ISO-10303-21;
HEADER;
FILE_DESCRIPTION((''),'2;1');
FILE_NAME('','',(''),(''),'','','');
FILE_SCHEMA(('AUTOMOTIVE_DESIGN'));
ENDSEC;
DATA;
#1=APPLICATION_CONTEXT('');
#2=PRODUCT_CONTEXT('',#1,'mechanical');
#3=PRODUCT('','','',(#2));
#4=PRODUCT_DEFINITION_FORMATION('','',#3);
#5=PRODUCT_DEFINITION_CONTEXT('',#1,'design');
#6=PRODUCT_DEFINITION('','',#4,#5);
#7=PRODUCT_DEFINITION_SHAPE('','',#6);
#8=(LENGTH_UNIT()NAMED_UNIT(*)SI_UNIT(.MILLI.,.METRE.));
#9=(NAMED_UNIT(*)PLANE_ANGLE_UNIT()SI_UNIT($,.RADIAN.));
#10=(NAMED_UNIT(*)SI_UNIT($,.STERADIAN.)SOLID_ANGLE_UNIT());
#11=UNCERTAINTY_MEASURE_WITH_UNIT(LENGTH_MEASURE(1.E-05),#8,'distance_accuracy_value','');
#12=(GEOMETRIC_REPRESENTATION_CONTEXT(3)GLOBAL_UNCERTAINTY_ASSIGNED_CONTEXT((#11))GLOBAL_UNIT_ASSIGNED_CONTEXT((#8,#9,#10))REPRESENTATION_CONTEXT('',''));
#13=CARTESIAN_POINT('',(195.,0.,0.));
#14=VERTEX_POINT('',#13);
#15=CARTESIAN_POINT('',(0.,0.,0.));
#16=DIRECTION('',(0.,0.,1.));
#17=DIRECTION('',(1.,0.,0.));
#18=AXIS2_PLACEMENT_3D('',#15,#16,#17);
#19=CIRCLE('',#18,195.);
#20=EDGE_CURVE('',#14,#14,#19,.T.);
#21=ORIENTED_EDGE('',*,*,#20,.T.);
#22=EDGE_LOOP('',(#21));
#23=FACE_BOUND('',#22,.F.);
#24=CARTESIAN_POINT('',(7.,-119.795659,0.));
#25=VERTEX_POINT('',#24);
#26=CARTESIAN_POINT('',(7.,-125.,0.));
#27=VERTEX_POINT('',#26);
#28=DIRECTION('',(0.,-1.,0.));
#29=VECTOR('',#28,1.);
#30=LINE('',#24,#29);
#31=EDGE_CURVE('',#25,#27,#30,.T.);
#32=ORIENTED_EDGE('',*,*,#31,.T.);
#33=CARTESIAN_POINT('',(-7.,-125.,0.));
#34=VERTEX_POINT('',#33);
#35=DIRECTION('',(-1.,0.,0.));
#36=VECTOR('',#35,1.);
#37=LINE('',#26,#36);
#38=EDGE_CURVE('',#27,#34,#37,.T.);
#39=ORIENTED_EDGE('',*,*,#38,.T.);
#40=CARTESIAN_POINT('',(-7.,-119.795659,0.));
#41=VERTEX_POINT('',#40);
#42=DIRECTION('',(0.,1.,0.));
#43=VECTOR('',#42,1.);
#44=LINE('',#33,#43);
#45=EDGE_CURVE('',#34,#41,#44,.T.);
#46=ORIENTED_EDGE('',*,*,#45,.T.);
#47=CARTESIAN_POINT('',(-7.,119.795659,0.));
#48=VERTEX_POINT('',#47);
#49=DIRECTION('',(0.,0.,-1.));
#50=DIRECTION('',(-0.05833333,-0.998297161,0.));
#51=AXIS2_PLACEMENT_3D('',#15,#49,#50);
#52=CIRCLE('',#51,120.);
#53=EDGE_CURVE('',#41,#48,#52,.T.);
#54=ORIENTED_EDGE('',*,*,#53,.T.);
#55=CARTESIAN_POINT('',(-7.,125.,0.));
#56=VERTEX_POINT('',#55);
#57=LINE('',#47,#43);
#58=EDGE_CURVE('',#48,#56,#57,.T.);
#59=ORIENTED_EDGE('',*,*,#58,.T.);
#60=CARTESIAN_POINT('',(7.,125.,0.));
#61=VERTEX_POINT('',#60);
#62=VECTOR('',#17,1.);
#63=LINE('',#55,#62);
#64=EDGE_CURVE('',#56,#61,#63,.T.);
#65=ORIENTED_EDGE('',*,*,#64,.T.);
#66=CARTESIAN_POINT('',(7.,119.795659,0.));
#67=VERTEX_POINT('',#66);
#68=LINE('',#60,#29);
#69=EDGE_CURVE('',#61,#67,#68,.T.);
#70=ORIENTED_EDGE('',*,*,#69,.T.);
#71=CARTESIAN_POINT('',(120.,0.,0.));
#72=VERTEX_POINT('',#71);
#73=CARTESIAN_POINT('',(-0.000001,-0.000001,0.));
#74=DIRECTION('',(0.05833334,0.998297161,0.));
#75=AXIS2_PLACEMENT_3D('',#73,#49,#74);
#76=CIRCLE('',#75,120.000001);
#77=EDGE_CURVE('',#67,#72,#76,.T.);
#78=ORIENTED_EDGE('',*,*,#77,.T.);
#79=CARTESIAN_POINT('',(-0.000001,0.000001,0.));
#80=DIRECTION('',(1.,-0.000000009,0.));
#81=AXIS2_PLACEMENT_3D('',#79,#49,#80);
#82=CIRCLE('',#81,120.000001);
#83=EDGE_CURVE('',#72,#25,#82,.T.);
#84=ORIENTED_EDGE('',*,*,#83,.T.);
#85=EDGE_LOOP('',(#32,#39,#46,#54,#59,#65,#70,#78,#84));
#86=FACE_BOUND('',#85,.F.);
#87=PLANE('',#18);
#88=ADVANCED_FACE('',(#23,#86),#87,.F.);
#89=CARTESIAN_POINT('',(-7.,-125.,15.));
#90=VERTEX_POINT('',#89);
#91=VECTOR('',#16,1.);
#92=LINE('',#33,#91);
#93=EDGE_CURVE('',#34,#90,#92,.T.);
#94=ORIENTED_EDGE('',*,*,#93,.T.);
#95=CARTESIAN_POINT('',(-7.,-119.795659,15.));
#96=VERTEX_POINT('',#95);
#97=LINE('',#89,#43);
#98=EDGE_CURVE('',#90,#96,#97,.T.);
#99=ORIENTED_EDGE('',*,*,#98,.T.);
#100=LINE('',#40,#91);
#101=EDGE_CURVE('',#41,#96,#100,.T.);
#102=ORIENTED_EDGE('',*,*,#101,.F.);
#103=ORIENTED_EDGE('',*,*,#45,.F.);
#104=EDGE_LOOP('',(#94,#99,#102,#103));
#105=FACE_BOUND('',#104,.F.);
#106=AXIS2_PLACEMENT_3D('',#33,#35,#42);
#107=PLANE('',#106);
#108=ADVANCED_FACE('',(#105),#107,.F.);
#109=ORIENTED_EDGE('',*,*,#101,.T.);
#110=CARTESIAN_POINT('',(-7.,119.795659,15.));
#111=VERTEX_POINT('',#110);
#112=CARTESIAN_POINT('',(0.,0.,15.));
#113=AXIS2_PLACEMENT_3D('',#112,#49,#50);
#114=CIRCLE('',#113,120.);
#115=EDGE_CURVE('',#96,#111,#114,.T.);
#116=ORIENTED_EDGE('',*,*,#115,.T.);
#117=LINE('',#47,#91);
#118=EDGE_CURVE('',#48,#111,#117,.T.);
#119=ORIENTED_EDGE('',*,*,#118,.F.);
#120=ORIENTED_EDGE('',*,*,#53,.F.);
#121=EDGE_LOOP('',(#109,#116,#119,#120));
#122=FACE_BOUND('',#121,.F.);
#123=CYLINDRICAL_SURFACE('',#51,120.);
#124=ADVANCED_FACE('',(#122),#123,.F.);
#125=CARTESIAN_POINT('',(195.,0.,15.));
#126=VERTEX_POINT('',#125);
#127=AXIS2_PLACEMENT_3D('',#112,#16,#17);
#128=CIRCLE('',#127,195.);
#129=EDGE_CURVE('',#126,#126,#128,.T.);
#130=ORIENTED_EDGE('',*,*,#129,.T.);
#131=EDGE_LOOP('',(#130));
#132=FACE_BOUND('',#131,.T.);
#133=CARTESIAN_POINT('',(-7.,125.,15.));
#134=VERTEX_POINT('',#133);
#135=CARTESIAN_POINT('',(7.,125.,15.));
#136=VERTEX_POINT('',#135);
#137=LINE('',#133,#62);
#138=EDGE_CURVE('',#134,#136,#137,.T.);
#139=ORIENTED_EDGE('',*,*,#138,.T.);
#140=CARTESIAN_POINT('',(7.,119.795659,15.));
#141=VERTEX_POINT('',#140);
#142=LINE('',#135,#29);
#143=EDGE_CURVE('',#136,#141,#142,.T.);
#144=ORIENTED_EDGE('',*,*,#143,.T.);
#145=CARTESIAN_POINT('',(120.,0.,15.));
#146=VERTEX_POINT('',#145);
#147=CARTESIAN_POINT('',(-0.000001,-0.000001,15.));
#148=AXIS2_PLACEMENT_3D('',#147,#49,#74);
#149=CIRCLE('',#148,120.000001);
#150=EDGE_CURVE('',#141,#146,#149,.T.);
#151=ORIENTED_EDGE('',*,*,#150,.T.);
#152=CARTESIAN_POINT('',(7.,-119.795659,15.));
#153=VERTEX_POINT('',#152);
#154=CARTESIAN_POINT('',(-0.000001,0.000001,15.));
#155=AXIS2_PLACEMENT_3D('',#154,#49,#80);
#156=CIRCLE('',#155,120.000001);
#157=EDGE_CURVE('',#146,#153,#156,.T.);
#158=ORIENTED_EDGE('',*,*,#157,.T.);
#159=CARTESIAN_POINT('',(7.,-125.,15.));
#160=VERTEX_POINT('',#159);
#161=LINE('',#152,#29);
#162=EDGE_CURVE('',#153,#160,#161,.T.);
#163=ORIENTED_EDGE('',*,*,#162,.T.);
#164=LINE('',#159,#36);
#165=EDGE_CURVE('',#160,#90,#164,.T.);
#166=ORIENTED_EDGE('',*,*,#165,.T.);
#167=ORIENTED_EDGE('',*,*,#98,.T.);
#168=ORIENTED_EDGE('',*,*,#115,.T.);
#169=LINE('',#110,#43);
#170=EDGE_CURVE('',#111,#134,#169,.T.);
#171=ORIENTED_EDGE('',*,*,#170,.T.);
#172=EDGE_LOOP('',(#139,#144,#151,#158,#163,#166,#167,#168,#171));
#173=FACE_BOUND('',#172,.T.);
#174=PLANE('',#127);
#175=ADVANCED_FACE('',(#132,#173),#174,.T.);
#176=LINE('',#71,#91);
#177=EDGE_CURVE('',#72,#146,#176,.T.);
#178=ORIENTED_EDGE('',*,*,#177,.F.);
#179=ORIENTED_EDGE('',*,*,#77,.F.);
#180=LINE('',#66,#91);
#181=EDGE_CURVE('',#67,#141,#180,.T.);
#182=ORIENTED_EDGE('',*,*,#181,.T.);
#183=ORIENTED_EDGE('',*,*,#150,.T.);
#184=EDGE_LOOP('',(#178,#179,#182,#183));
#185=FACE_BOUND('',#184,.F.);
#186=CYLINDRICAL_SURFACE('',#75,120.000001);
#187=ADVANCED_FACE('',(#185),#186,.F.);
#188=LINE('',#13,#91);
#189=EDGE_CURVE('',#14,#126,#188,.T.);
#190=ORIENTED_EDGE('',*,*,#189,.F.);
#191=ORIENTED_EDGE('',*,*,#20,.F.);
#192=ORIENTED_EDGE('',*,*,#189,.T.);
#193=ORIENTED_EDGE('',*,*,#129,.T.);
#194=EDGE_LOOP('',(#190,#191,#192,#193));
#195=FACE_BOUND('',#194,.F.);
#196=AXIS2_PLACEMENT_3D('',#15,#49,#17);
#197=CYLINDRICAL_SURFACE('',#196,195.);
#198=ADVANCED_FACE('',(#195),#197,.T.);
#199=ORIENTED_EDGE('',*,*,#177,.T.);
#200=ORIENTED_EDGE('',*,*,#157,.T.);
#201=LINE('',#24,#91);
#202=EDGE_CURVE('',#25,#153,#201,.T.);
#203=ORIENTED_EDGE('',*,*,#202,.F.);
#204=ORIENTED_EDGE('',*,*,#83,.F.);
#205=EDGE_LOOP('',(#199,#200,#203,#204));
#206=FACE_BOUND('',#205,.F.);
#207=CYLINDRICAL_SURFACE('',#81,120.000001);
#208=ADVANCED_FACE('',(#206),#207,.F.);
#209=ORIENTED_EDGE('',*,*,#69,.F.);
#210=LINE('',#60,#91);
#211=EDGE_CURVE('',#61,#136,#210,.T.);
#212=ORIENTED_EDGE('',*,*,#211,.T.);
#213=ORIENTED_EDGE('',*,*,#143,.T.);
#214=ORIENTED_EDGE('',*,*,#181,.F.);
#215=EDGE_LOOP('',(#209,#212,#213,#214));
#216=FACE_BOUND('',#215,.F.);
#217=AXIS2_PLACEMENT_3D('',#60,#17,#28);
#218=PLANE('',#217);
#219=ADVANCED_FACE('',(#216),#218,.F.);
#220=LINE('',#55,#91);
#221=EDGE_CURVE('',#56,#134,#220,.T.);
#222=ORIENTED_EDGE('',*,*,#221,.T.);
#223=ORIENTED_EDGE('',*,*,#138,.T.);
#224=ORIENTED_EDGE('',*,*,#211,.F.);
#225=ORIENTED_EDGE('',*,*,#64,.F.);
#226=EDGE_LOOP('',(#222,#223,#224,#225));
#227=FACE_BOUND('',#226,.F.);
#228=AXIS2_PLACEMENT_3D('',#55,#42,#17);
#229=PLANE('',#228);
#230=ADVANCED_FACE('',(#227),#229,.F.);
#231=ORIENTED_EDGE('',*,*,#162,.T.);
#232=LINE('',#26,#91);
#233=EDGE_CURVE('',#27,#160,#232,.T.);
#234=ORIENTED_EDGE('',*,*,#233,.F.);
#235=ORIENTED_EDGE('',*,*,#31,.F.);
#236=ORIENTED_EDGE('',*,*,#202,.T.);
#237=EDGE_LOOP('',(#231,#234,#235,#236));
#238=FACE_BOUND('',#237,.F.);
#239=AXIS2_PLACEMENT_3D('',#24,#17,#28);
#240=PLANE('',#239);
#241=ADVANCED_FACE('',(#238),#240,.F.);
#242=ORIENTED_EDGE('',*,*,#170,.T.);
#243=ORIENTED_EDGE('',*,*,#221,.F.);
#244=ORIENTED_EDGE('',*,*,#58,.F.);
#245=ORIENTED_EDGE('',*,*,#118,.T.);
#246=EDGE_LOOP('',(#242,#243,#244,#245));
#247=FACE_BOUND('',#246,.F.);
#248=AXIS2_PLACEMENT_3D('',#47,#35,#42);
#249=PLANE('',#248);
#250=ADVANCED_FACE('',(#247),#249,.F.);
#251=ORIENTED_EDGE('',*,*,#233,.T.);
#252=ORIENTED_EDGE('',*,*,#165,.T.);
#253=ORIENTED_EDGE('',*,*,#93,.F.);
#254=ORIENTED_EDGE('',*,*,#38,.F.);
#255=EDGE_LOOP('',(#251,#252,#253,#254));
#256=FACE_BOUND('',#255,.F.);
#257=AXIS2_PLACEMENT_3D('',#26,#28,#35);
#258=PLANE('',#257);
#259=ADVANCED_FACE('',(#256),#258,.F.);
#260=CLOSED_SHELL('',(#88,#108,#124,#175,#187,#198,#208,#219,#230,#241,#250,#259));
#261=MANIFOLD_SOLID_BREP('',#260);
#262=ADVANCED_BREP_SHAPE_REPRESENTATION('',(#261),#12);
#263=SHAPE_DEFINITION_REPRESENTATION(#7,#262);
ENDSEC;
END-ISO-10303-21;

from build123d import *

# Parameters (mm, degrees)
F0_R     = 195
F1_DEPTH = 15


with BuildPart() as f1:
    # F0 (on Top) → F1 (new body)
    with BuildSketch(Plane.XY):
        Circle(F0_R)
        with BuildLine():
            ThreePointArc((7, 119.795659), (87.292611, 82.340755), (120, 0))
            ThreePointArc((120, 0), (87.292611, -82.340755), (7, -119.795659))
            Line((7, -119.795659), (7, -125))
            Line((7, -125), (-7, -125))
            Line((-7, -125), (-7, -119.795659))
            ThreePointArc((-7, -119.795659), (-120, 0), (-7, 119.795659))
            Line((-7, 119.795659), (-7, 125))
            Line((-7, 125), (7, 125))
            Line((7, 125), (7, 119.795659))
        make_face(mode=Mode.SUBTRACT)
    extrude(amount=F1_DEPTH)


solid = f1.part
